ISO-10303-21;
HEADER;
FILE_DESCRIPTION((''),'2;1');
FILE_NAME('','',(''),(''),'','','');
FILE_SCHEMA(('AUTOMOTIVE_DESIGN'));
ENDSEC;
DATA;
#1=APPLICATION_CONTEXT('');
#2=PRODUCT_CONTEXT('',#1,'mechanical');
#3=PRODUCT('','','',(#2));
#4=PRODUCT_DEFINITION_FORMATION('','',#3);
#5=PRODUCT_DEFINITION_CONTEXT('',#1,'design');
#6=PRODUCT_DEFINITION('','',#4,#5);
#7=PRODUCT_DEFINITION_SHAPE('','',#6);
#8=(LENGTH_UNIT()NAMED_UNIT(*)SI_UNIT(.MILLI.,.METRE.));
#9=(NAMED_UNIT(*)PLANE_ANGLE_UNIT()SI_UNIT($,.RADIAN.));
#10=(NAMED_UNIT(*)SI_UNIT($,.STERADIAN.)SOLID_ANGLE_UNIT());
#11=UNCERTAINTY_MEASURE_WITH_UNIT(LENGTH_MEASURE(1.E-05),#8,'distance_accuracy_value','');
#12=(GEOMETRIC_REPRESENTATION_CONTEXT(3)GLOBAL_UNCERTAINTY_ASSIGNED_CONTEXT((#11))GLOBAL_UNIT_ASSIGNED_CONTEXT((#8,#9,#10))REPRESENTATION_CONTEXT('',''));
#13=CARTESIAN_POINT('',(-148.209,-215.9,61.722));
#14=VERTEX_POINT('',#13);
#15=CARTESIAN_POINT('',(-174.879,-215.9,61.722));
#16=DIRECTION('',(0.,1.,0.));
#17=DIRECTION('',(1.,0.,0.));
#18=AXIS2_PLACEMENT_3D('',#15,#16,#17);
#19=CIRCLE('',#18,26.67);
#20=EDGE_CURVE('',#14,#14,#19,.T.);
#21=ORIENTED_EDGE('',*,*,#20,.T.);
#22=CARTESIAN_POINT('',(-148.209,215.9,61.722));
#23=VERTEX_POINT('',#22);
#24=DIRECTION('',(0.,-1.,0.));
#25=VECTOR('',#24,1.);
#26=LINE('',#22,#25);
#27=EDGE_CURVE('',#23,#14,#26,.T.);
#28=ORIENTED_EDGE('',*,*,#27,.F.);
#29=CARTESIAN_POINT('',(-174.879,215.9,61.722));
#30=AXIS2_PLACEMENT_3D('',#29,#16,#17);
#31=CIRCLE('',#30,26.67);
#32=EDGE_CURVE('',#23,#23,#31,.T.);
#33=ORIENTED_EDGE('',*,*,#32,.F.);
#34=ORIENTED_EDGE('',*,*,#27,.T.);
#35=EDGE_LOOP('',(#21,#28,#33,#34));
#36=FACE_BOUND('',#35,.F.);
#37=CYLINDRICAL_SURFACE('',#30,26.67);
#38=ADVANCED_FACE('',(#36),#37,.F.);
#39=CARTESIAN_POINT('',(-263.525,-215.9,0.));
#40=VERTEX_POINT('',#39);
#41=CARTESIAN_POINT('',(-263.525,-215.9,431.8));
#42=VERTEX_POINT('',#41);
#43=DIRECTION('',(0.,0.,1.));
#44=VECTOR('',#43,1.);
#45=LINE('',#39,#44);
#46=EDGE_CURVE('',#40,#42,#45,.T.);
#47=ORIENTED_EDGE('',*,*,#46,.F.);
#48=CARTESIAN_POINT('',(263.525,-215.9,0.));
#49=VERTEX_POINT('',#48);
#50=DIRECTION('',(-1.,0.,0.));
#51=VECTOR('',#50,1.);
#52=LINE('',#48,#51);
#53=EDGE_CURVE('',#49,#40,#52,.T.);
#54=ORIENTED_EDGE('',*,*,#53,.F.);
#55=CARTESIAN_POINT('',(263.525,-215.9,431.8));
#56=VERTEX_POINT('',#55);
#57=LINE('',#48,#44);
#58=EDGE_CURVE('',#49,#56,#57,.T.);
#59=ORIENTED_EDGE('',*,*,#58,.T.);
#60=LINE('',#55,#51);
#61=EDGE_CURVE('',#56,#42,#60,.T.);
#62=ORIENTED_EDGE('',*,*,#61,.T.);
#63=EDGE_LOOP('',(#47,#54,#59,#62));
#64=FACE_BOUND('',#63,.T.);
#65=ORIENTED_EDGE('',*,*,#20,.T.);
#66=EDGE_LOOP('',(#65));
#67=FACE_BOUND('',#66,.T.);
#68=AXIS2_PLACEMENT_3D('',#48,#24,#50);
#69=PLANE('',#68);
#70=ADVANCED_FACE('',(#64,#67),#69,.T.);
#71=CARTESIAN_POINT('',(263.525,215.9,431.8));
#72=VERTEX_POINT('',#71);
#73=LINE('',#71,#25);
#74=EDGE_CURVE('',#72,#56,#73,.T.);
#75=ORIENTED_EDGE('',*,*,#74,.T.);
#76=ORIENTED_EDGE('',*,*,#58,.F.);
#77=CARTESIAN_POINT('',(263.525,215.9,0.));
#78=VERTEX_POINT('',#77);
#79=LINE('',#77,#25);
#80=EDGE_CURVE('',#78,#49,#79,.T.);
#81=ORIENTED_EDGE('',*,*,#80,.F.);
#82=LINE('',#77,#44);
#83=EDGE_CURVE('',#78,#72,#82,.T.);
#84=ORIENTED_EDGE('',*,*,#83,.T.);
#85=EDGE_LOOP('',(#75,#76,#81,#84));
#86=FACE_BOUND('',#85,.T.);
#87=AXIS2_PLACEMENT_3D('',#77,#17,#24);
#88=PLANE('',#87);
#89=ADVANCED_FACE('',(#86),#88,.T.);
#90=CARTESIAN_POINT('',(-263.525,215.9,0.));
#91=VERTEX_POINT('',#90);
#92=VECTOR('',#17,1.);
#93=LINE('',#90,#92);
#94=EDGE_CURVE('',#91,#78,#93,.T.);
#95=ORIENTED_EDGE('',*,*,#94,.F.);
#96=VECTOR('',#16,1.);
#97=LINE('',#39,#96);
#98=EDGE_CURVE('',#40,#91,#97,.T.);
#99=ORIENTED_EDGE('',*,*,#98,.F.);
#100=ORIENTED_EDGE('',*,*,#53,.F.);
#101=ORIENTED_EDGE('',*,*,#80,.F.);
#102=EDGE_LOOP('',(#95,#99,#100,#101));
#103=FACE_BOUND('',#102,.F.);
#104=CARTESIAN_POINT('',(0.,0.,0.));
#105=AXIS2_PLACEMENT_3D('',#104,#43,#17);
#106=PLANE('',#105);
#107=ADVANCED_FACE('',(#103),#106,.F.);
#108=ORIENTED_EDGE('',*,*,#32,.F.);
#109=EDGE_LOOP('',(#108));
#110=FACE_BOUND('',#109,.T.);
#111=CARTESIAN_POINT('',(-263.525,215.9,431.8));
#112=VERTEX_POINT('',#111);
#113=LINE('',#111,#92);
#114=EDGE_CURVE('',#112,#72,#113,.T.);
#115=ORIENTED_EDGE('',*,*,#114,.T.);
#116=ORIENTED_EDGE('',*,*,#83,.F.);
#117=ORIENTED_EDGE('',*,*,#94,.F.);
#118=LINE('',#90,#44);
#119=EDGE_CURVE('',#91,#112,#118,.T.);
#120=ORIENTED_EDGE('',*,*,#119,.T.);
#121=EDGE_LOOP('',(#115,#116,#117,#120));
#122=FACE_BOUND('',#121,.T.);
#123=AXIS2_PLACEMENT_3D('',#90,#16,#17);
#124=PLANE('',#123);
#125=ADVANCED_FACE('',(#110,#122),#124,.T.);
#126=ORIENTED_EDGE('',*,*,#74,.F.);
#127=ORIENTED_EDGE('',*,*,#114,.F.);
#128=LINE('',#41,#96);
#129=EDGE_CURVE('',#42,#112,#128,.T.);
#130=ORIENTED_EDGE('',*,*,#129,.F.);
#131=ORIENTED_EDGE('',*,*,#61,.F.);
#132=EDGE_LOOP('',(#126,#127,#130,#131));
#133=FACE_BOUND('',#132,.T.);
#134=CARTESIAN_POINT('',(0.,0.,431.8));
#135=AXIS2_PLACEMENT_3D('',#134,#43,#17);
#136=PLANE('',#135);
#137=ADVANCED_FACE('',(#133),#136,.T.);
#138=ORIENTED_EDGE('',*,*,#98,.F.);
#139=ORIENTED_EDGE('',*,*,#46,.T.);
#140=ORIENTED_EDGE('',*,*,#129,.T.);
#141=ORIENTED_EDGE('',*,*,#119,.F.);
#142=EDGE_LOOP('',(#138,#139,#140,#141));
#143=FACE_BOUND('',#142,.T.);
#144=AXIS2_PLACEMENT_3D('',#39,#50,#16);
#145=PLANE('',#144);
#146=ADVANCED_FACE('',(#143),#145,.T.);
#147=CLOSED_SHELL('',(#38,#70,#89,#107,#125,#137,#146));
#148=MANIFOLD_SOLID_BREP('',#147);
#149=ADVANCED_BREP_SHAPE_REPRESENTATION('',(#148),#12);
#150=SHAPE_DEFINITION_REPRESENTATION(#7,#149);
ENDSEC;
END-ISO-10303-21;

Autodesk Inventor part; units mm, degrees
ref_plane "YZ Plane" through (0, 0, 0) normal (1, 0, 0) x (0, 1, 0)
ref_plane "XZ Plane" through (0, 0, 0) normal (0, 1, 0) x (-1, 0, 0)
ref_plane "XY Plane" through (0, 0, 0) normal (0, 0, 1) x (1, 0, 0)
sketch "Sketch1" plane through (0, 0, 0) normal (0, 0, 1) x (1, 0, 0)
  line L0 (263.525, -215.9) -> (-263.525, -215.9)
  line L1 (-263.525, -215.9) -> (-263.525, 215.9)
  line L2 (-263.525, 215.9) -> (263.525, 215.9)
  line L3 (263.525, 215.9) -> (263.525, -215.9)
  line L4 (263.525, -215.9) -> (-263.525, 215.9) construction
  line L5 (-263.525, -215.9) -> (263.525, 215.9) construction
  point P0 (0, 0)
  dimension "d0" = 527.05
  dimension "d1" = 431.8
extrude "Extrusion1" add sketch "Sketch1" along normal blind 431.8
sketch "Sketch2" plane through (-263.525, 215.9, 0) normal (0, 1, 0) x (1, 0, 0)
  circle A0 centre (88.646, -61.722) radius 26.67
  point P0 (263.525, 0)
  dimension "d4" = 53.34
extrude "Extrusion2" cut sketch "Sketch2" against normal blind 431.8
properties part number "Sump Baffle Tub"
